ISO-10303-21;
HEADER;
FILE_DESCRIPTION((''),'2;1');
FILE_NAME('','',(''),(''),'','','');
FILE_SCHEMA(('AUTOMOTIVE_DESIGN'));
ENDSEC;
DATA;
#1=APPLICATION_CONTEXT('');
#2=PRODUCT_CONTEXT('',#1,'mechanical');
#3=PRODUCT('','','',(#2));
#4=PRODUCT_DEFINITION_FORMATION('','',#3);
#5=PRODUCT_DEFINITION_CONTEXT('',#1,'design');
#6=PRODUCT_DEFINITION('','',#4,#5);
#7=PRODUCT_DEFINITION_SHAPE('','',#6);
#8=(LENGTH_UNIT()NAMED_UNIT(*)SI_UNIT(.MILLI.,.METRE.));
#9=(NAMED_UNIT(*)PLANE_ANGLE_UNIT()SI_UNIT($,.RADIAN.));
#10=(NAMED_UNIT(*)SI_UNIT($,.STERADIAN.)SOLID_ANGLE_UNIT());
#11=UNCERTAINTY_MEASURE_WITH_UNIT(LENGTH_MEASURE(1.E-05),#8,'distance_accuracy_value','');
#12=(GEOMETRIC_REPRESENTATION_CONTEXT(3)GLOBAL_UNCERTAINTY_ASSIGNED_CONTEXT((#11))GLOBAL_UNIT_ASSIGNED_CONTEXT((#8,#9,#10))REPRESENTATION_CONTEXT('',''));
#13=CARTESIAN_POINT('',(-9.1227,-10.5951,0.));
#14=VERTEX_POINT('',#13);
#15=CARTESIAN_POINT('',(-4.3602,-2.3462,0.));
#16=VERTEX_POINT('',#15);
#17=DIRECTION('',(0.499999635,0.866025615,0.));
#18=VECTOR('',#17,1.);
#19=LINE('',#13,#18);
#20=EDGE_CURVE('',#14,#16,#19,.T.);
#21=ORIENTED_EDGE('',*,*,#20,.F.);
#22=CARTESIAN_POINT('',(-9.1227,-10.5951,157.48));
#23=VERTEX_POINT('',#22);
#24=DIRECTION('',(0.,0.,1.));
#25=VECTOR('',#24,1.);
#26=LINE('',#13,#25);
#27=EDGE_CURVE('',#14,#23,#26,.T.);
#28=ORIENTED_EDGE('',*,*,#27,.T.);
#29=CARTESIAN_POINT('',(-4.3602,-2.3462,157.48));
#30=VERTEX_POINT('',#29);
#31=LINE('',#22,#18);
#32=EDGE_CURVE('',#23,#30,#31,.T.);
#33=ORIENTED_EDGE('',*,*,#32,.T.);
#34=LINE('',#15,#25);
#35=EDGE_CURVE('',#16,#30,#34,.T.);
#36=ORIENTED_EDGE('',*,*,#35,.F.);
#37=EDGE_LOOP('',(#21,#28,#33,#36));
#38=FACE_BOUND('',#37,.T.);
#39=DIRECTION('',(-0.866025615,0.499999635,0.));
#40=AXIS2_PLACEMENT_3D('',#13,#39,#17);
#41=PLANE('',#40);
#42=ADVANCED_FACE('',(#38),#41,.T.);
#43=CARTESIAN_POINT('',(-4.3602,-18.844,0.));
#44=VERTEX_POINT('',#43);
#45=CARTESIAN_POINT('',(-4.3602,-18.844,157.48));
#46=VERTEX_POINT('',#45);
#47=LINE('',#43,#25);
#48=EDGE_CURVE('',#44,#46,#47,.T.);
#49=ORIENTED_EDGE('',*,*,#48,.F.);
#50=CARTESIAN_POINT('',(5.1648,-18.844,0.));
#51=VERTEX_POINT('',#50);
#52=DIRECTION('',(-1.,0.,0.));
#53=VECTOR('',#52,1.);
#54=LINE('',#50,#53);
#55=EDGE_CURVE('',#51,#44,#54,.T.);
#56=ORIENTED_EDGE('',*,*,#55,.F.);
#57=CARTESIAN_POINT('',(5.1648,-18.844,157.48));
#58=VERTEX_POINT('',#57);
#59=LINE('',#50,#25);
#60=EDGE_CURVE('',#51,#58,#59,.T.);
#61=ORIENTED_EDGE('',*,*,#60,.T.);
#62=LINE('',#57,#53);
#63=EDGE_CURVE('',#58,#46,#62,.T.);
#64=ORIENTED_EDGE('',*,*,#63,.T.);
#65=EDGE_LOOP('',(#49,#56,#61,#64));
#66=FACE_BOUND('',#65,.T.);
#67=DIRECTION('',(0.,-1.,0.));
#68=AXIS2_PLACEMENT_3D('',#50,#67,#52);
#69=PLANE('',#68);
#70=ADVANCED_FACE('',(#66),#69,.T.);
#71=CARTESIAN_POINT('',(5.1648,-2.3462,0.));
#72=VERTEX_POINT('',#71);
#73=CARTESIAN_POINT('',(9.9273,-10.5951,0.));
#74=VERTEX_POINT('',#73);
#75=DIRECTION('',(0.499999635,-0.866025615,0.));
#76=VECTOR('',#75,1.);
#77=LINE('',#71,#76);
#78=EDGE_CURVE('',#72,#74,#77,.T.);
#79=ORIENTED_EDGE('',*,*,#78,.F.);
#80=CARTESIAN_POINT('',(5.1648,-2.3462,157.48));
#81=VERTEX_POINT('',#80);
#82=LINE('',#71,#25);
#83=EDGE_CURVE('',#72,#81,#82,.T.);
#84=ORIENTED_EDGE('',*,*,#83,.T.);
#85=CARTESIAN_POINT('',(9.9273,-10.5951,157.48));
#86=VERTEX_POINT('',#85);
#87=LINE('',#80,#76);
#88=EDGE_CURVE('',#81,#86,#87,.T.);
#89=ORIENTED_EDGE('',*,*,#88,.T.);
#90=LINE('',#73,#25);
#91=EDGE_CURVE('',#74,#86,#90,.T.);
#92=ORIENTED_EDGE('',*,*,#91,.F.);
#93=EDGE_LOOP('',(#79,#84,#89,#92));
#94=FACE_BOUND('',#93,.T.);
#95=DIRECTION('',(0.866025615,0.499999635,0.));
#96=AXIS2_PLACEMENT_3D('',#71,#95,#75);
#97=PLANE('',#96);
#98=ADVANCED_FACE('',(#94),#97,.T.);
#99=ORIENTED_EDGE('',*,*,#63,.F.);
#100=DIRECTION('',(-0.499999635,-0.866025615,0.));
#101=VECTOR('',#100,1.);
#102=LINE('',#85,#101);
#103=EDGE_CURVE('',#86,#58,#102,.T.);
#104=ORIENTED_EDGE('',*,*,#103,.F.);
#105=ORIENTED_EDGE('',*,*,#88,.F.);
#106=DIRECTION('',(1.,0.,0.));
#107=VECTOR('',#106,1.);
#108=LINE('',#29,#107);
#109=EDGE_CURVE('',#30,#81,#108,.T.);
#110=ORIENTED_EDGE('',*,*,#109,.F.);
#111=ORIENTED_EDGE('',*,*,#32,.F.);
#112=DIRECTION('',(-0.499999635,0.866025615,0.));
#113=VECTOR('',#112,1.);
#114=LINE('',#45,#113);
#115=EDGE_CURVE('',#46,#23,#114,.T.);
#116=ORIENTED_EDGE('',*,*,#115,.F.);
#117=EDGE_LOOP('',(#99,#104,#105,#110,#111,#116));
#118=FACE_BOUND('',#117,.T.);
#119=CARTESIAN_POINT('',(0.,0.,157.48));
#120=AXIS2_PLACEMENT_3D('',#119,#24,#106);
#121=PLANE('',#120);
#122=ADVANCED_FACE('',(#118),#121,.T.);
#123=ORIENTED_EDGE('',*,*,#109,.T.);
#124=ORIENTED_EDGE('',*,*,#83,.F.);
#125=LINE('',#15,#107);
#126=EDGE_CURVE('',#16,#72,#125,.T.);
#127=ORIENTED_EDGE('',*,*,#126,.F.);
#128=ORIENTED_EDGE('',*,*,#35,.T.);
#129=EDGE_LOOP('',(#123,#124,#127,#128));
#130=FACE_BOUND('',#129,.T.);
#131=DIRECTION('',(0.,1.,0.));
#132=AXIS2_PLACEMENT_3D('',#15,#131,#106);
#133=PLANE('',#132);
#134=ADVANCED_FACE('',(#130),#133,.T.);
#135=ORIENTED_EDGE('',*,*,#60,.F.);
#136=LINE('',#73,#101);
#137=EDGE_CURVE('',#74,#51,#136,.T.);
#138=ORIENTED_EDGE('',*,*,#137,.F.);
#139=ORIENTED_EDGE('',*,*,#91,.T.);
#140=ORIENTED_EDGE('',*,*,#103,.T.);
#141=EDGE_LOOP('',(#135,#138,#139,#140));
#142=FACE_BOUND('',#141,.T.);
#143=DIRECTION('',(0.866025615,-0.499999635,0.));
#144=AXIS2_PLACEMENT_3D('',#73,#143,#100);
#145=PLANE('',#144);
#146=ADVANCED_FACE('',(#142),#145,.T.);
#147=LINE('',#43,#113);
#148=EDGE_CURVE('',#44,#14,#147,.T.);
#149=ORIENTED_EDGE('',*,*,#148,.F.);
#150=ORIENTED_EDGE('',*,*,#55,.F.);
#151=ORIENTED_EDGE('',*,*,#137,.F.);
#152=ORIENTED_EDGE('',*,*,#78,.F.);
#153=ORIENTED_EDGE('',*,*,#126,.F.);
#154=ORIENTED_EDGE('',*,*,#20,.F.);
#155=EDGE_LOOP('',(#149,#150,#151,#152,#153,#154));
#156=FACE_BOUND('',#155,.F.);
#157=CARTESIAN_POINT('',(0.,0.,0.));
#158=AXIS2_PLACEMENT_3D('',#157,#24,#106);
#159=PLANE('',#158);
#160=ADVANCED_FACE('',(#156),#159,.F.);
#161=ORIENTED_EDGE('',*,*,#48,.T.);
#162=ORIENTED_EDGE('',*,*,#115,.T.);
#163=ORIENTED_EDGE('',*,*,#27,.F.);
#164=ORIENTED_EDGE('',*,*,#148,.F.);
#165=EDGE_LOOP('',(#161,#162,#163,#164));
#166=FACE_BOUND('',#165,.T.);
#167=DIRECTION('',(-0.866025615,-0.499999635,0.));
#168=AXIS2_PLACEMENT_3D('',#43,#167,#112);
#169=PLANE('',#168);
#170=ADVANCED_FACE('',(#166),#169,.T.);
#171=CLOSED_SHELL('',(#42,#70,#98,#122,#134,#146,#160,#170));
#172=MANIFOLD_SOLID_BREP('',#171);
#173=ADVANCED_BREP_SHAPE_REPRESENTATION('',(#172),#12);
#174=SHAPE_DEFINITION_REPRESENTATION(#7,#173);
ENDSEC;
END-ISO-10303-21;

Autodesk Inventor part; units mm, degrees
ref_plane "YZ Plane" through (0, 0, 0) normal (1, 0, 0) x (0, 1, 0)
ref_plane "XZ Plane" through (0, 0, 0) normal (0, 1, 0) x (-1, 0, 0)
ref_plane "XY Plane" through (0, 0, 0) normal (0, 0, 1) x (1, 0, 0)
sketch "Sketch1" plane through (0, 0, 0) normal (0, 0, 1) x (1, 0, 0)
  line L0 (-4.3602, -2.3462) -> (5.1648, -2.3462)
  line L1 (5.1648, -2.3462) -> (9.9273, -10.5951)
  line L2 (9.9273, -10.5951) -> (5.1648, -18.844)
  line L3 (5.1648, -18.844) -> (-4.3602, -18.844)
  line L4 (-4.3602, -18.844) -> (-9.1227, -10.5951)
  line L5 (-9.1227, -10.5951) -> (-4.3602, -2.3462)
  point P0 (0, 0)
  dimension "d0" = 9.525
  dimension "d1" = 9.525
  dimension "d2" = 9.525
  dimension "d3" = 9.525
  dimension "d4" = 9.525
  dimension "d6" = 9.525
  dimension "d7" = 120
  dimension "d8" = 120
  dimension "d9" = 120
  dimension "d10" = 120
  dimension "d11" = 120
extrude "Extrusion1" add sketch "Sketch1" along normal blind 157.48
properties part number "hex shaft"
